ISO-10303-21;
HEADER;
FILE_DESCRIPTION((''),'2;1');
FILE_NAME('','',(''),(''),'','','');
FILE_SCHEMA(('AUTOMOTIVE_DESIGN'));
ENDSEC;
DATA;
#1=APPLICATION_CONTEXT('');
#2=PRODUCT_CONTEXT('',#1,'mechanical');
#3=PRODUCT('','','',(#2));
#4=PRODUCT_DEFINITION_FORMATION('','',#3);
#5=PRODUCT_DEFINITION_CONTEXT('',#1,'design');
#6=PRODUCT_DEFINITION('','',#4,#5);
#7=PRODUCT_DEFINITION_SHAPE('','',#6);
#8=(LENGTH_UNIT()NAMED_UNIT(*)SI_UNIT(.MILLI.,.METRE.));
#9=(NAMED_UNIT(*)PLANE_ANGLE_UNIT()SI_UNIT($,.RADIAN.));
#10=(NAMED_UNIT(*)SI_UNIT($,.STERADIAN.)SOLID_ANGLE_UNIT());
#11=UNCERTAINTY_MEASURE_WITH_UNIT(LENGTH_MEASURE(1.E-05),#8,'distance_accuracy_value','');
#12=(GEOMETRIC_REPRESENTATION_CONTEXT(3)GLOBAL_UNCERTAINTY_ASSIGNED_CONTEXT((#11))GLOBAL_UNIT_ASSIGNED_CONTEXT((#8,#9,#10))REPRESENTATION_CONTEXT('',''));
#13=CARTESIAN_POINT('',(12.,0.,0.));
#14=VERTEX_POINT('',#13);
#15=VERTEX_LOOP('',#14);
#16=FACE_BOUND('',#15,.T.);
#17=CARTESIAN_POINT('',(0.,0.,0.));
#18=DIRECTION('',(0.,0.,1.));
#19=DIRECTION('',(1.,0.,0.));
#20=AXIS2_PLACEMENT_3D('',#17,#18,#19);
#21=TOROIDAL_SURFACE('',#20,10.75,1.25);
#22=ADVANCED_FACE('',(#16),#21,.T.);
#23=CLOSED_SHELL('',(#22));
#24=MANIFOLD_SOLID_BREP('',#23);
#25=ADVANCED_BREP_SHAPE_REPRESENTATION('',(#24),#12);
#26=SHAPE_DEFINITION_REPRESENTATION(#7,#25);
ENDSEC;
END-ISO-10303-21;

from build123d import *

# Parameters (mm, degrees)
SKETCH_1_R = 1.25


with BuildPart() as part:
    # Эскиз1 → Повернуть1 (revolve)
    with BuildSketch(Plane(origin=(0, 0, 0), x_dir=(1, 0, 0), z_dir=(0, 1, 0))):
        with Locations((10.75, 0)):
            Circle(SKETCH_1_R)
    revolve(axis=Axis((0, 0, 0), (0, 0, -1)))


solid = part.part
